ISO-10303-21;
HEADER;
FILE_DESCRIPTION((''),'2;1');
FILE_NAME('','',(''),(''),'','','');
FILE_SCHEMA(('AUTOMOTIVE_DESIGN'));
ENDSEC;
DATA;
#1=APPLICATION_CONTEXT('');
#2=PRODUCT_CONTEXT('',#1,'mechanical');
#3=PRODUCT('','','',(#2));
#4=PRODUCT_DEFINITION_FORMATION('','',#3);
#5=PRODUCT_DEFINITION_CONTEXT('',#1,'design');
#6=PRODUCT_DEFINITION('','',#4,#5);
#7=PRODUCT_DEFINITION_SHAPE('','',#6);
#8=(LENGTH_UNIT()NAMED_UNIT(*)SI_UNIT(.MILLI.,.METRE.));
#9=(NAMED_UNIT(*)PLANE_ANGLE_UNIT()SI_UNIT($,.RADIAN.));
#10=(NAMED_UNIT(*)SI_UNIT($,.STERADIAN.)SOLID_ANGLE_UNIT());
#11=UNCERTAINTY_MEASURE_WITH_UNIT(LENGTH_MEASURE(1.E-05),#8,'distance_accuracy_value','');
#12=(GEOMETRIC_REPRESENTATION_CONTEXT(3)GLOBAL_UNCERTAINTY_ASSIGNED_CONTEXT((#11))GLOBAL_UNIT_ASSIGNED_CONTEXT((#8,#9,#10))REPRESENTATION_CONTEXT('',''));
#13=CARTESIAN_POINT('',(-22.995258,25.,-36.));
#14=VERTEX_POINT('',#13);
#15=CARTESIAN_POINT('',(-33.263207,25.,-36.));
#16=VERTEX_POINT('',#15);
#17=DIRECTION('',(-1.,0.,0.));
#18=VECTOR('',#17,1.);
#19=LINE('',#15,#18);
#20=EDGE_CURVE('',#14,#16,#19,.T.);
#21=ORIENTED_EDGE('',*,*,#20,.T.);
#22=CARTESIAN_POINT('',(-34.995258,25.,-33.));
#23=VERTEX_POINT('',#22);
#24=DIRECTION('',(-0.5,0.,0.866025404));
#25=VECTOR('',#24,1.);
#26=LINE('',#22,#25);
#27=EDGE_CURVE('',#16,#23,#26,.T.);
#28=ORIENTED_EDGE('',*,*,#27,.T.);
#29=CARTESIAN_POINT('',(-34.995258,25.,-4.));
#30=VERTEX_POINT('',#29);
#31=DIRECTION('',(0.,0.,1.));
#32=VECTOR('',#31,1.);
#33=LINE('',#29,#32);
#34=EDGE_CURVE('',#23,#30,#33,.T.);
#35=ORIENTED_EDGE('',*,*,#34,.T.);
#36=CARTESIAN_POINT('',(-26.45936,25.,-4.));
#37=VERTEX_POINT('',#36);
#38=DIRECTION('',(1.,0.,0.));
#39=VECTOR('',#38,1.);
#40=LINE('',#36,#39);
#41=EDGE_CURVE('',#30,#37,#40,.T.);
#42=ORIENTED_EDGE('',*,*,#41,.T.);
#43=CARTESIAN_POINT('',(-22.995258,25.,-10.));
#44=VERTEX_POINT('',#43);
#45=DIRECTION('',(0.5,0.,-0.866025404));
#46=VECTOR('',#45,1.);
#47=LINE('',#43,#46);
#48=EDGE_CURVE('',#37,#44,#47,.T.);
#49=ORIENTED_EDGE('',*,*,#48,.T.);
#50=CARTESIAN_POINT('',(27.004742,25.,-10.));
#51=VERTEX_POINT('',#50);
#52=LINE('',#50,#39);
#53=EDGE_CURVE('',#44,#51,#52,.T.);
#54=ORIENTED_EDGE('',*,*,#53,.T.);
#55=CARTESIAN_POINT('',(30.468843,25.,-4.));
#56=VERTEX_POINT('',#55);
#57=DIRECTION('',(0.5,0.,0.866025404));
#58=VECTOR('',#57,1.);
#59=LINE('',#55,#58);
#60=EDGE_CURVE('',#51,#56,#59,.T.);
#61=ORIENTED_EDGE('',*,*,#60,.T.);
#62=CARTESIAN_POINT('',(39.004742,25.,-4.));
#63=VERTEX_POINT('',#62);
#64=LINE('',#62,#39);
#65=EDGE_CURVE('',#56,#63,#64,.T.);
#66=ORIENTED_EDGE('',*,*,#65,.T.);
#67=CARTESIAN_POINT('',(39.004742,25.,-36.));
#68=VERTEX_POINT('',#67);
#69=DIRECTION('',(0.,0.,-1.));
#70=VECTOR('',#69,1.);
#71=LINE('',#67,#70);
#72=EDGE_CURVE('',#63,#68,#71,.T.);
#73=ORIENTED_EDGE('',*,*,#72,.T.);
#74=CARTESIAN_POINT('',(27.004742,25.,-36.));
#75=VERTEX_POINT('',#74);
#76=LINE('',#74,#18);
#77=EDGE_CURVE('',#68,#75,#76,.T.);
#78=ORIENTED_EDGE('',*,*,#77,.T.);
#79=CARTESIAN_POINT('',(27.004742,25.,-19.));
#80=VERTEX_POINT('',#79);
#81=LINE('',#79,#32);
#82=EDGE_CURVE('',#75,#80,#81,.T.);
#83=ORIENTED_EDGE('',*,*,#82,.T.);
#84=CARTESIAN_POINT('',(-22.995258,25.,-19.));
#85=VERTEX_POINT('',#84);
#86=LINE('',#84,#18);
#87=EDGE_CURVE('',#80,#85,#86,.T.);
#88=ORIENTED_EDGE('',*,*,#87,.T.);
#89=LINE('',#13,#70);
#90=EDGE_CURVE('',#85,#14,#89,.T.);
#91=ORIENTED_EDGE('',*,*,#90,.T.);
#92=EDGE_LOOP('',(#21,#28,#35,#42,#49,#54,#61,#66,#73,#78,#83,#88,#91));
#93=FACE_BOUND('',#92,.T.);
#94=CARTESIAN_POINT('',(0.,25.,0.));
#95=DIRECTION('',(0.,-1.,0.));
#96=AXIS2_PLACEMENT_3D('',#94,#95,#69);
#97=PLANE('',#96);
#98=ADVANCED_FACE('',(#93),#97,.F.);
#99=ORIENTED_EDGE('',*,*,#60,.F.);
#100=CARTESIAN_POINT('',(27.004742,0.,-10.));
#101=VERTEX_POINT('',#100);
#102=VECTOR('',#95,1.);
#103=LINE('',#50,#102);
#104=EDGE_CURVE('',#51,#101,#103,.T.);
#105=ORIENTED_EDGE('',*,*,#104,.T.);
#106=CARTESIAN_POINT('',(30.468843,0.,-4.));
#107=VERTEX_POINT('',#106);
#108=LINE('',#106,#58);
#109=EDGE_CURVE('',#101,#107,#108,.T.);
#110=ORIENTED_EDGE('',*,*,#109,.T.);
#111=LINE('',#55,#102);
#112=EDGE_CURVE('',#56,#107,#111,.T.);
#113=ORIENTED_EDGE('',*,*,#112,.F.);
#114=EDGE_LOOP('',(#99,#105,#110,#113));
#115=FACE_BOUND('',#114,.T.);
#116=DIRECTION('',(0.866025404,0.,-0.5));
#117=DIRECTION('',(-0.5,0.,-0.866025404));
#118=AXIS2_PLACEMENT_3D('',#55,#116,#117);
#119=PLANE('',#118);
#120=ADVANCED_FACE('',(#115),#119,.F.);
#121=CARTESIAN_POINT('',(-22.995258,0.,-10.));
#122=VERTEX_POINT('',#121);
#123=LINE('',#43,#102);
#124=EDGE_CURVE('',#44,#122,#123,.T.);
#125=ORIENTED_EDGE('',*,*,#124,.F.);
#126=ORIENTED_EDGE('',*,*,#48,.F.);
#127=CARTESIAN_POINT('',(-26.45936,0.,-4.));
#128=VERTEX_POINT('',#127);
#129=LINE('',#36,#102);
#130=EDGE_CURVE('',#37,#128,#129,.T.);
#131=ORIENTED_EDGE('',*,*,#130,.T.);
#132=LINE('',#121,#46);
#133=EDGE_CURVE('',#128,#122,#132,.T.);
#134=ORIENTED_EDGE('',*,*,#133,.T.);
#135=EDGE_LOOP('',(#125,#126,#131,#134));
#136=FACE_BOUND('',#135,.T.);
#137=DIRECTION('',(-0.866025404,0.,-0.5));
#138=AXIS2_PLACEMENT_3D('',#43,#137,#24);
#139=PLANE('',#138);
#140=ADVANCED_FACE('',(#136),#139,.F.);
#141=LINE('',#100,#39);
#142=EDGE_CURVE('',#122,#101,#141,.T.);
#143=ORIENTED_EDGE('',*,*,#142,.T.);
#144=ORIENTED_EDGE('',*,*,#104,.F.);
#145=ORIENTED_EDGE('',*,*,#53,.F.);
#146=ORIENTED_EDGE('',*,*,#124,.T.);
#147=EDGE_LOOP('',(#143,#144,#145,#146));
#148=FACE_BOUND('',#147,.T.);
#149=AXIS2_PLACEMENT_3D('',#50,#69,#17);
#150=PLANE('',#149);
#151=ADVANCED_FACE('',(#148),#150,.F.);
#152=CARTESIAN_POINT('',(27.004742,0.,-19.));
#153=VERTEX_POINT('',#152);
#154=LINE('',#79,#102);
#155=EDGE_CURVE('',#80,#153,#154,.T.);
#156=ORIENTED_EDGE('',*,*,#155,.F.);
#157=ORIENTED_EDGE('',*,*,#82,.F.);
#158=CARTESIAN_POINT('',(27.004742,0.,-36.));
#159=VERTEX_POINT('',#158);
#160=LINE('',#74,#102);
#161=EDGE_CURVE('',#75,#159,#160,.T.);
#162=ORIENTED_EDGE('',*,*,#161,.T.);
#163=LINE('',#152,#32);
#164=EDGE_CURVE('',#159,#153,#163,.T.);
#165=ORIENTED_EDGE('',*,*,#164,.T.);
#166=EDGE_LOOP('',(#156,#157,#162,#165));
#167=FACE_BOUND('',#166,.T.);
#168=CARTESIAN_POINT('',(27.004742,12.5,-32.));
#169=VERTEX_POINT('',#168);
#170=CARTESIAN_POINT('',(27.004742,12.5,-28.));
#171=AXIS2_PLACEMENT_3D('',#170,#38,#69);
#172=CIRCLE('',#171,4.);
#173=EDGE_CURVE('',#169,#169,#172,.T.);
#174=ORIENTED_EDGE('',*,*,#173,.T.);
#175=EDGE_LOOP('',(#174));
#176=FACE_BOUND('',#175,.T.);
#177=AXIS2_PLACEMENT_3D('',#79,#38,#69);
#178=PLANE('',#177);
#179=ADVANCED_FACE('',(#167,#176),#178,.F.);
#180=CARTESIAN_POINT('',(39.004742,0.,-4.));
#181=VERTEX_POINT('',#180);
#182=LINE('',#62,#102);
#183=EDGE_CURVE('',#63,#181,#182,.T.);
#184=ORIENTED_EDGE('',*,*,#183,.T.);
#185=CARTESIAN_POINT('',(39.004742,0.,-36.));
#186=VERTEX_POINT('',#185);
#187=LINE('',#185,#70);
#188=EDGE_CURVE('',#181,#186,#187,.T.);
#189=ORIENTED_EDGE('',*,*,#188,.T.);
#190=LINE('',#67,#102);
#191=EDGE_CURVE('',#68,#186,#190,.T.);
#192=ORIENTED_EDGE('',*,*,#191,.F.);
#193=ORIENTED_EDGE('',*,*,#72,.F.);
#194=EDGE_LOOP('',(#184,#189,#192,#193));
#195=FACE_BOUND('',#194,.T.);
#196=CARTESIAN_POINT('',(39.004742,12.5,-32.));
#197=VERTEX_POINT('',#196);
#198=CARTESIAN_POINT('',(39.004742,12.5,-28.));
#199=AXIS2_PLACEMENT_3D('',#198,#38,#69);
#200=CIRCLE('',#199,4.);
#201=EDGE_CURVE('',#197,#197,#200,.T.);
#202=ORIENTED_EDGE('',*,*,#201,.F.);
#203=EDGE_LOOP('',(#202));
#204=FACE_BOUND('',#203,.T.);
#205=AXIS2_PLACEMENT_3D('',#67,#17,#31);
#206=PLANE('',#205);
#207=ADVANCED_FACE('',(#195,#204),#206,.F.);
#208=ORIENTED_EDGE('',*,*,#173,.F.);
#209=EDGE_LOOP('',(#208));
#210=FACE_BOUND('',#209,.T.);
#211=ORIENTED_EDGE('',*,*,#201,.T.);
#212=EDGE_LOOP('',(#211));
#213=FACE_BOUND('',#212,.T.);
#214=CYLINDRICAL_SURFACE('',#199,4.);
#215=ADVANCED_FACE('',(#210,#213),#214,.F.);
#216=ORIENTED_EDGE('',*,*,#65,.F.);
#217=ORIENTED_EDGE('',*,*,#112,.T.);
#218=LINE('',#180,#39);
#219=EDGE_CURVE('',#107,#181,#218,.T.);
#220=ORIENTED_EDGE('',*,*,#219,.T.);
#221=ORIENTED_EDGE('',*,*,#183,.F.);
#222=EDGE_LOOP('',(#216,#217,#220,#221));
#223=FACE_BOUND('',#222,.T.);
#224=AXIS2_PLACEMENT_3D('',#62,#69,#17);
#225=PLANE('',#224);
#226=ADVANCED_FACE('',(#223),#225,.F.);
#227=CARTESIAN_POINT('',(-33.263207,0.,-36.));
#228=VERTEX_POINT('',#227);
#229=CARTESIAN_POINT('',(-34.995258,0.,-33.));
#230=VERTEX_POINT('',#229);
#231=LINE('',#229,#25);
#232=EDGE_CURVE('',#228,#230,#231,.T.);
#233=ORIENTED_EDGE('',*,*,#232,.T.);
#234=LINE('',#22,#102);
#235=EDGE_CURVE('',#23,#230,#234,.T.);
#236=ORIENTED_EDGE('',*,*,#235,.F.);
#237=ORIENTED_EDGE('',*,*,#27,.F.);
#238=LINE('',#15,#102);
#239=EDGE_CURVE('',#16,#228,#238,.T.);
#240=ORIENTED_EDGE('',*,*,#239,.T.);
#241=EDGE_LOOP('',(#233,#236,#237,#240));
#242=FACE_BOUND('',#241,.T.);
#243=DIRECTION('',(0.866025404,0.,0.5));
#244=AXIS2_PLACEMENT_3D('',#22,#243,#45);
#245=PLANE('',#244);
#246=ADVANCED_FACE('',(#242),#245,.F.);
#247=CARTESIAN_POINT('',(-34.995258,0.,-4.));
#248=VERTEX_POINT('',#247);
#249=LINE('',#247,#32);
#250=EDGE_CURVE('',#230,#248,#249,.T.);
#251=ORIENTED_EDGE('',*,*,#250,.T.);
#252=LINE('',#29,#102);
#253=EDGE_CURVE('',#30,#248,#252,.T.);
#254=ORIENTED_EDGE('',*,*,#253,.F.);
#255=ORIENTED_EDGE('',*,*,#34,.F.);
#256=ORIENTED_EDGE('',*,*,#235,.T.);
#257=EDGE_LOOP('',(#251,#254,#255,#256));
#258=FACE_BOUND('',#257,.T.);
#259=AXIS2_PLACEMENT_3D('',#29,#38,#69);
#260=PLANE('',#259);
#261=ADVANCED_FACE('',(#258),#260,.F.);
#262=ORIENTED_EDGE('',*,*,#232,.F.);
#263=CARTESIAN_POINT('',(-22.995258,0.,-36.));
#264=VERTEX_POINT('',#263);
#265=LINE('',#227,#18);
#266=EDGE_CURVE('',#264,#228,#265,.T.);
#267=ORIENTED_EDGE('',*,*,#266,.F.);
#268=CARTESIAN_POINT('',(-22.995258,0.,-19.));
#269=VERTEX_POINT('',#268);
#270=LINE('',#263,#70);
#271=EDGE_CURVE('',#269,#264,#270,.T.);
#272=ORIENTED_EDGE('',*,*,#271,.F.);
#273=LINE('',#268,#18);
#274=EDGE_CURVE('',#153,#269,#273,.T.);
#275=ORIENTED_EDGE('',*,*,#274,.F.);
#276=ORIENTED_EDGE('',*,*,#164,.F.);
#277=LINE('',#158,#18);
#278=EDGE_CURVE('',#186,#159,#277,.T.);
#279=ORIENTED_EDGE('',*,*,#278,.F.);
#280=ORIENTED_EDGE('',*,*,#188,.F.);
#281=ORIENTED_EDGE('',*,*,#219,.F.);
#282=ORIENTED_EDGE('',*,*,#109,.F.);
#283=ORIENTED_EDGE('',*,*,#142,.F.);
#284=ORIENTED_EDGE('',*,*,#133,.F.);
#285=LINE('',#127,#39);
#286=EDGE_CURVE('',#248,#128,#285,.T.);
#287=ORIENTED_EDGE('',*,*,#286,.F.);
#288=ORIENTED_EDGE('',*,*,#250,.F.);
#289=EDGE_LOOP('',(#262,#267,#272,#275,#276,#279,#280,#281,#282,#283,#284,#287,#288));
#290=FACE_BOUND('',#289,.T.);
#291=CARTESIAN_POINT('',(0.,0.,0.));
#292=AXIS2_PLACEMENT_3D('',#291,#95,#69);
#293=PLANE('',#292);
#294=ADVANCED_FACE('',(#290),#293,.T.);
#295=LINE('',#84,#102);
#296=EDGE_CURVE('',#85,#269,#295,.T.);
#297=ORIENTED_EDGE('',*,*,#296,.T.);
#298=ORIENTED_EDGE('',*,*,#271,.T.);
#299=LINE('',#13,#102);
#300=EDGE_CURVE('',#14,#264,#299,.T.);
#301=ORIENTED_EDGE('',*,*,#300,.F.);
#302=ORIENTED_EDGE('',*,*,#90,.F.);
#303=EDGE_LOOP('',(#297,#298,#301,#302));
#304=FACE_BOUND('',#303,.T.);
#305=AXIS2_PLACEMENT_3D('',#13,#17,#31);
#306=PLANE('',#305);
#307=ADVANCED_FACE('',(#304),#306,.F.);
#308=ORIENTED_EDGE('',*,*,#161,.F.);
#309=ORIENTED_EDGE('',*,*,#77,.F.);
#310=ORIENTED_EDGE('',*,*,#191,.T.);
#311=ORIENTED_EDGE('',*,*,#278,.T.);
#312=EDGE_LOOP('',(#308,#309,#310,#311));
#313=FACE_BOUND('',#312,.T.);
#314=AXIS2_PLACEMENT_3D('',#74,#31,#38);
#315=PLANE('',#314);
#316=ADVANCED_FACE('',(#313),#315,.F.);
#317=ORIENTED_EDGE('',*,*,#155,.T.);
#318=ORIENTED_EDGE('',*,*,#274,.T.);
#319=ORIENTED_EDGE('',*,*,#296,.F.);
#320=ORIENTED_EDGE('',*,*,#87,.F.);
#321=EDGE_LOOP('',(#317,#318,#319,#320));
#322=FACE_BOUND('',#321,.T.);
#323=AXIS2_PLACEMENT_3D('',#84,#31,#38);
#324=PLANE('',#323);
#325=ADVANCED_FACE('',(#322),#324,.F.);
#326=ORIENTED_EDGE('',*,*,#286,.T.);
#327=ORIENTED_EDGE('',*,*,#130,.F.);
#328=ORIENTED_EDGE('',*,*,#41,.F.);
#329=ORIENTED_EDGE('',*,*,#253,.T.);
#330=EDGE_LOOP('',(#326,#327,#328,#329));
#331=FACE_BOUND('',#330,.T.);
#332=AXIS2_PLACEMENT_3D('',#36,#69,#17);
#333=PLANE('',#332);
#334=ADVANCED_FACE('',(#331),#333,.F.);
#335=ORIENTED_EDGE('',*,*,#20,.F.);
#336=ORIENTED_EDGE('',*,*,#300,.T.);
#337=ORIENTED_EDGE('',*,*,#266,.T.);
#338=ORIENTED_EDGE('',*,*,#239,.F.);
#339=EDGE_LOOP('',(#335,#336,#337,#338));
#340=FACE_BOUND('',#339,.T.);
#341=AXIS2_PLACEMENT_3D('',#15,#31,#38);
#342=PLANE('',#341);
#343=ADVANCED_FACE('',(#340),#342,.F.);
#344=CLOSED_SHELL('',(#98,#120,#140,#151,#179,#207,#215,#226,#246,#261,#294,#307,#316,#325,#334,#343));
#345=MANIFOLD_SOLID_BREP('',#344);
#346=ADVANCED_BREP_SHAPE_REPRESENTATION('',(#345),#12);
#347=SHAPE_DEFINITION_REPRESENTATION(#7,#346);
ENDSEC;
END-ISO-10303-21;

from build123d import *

# Parameters (mm, degrees)
BOSS_EXTRUDE1_DEPTH       = 25
F_8_0MM_DOWEL_HOLE2_D     = 8
F_8_0MM_DOWEL_HOLE2_DEPTH = 12


with BuildPart() as part:
    # Sketch1 → Boss-Extrude1 (new body)
    with BuildSketch(Plane(origin=(0, 0, 0), x_dir=(1, 0, 0), z_dir=(0, 1, 0))):
        Polygon((-34.995258132, 4), (-34.995258132, 33), (-33.263207324, 36), (-22.995258132, 36), (-22.995258132, 19), (27.004741868, 19), (27.004741868, 36), (39.004741868, 36), (39.004741868, 4), (30.468843483, 4), (27.004741868, 10), (-22.995258132, 10), (-26.459359747, 4), align=None)
    extrude(amount=BOSS_EXTRUDE1_DEPTH)

    # Ø8.0mm Dowel Hole2
    with Locations(Plane(origin=(39.004741868, 0, 0), x_dir=(0, 0, -1), z_dir=(1, 0, 0))):
        with Locations((28, 12.5)):
            Hole(F_8_0MM_DOWEL_HOLE2_D / 2, depth=F_8_0MM_DOWEL_HOLE2_DEPTH)


solid = part.part
